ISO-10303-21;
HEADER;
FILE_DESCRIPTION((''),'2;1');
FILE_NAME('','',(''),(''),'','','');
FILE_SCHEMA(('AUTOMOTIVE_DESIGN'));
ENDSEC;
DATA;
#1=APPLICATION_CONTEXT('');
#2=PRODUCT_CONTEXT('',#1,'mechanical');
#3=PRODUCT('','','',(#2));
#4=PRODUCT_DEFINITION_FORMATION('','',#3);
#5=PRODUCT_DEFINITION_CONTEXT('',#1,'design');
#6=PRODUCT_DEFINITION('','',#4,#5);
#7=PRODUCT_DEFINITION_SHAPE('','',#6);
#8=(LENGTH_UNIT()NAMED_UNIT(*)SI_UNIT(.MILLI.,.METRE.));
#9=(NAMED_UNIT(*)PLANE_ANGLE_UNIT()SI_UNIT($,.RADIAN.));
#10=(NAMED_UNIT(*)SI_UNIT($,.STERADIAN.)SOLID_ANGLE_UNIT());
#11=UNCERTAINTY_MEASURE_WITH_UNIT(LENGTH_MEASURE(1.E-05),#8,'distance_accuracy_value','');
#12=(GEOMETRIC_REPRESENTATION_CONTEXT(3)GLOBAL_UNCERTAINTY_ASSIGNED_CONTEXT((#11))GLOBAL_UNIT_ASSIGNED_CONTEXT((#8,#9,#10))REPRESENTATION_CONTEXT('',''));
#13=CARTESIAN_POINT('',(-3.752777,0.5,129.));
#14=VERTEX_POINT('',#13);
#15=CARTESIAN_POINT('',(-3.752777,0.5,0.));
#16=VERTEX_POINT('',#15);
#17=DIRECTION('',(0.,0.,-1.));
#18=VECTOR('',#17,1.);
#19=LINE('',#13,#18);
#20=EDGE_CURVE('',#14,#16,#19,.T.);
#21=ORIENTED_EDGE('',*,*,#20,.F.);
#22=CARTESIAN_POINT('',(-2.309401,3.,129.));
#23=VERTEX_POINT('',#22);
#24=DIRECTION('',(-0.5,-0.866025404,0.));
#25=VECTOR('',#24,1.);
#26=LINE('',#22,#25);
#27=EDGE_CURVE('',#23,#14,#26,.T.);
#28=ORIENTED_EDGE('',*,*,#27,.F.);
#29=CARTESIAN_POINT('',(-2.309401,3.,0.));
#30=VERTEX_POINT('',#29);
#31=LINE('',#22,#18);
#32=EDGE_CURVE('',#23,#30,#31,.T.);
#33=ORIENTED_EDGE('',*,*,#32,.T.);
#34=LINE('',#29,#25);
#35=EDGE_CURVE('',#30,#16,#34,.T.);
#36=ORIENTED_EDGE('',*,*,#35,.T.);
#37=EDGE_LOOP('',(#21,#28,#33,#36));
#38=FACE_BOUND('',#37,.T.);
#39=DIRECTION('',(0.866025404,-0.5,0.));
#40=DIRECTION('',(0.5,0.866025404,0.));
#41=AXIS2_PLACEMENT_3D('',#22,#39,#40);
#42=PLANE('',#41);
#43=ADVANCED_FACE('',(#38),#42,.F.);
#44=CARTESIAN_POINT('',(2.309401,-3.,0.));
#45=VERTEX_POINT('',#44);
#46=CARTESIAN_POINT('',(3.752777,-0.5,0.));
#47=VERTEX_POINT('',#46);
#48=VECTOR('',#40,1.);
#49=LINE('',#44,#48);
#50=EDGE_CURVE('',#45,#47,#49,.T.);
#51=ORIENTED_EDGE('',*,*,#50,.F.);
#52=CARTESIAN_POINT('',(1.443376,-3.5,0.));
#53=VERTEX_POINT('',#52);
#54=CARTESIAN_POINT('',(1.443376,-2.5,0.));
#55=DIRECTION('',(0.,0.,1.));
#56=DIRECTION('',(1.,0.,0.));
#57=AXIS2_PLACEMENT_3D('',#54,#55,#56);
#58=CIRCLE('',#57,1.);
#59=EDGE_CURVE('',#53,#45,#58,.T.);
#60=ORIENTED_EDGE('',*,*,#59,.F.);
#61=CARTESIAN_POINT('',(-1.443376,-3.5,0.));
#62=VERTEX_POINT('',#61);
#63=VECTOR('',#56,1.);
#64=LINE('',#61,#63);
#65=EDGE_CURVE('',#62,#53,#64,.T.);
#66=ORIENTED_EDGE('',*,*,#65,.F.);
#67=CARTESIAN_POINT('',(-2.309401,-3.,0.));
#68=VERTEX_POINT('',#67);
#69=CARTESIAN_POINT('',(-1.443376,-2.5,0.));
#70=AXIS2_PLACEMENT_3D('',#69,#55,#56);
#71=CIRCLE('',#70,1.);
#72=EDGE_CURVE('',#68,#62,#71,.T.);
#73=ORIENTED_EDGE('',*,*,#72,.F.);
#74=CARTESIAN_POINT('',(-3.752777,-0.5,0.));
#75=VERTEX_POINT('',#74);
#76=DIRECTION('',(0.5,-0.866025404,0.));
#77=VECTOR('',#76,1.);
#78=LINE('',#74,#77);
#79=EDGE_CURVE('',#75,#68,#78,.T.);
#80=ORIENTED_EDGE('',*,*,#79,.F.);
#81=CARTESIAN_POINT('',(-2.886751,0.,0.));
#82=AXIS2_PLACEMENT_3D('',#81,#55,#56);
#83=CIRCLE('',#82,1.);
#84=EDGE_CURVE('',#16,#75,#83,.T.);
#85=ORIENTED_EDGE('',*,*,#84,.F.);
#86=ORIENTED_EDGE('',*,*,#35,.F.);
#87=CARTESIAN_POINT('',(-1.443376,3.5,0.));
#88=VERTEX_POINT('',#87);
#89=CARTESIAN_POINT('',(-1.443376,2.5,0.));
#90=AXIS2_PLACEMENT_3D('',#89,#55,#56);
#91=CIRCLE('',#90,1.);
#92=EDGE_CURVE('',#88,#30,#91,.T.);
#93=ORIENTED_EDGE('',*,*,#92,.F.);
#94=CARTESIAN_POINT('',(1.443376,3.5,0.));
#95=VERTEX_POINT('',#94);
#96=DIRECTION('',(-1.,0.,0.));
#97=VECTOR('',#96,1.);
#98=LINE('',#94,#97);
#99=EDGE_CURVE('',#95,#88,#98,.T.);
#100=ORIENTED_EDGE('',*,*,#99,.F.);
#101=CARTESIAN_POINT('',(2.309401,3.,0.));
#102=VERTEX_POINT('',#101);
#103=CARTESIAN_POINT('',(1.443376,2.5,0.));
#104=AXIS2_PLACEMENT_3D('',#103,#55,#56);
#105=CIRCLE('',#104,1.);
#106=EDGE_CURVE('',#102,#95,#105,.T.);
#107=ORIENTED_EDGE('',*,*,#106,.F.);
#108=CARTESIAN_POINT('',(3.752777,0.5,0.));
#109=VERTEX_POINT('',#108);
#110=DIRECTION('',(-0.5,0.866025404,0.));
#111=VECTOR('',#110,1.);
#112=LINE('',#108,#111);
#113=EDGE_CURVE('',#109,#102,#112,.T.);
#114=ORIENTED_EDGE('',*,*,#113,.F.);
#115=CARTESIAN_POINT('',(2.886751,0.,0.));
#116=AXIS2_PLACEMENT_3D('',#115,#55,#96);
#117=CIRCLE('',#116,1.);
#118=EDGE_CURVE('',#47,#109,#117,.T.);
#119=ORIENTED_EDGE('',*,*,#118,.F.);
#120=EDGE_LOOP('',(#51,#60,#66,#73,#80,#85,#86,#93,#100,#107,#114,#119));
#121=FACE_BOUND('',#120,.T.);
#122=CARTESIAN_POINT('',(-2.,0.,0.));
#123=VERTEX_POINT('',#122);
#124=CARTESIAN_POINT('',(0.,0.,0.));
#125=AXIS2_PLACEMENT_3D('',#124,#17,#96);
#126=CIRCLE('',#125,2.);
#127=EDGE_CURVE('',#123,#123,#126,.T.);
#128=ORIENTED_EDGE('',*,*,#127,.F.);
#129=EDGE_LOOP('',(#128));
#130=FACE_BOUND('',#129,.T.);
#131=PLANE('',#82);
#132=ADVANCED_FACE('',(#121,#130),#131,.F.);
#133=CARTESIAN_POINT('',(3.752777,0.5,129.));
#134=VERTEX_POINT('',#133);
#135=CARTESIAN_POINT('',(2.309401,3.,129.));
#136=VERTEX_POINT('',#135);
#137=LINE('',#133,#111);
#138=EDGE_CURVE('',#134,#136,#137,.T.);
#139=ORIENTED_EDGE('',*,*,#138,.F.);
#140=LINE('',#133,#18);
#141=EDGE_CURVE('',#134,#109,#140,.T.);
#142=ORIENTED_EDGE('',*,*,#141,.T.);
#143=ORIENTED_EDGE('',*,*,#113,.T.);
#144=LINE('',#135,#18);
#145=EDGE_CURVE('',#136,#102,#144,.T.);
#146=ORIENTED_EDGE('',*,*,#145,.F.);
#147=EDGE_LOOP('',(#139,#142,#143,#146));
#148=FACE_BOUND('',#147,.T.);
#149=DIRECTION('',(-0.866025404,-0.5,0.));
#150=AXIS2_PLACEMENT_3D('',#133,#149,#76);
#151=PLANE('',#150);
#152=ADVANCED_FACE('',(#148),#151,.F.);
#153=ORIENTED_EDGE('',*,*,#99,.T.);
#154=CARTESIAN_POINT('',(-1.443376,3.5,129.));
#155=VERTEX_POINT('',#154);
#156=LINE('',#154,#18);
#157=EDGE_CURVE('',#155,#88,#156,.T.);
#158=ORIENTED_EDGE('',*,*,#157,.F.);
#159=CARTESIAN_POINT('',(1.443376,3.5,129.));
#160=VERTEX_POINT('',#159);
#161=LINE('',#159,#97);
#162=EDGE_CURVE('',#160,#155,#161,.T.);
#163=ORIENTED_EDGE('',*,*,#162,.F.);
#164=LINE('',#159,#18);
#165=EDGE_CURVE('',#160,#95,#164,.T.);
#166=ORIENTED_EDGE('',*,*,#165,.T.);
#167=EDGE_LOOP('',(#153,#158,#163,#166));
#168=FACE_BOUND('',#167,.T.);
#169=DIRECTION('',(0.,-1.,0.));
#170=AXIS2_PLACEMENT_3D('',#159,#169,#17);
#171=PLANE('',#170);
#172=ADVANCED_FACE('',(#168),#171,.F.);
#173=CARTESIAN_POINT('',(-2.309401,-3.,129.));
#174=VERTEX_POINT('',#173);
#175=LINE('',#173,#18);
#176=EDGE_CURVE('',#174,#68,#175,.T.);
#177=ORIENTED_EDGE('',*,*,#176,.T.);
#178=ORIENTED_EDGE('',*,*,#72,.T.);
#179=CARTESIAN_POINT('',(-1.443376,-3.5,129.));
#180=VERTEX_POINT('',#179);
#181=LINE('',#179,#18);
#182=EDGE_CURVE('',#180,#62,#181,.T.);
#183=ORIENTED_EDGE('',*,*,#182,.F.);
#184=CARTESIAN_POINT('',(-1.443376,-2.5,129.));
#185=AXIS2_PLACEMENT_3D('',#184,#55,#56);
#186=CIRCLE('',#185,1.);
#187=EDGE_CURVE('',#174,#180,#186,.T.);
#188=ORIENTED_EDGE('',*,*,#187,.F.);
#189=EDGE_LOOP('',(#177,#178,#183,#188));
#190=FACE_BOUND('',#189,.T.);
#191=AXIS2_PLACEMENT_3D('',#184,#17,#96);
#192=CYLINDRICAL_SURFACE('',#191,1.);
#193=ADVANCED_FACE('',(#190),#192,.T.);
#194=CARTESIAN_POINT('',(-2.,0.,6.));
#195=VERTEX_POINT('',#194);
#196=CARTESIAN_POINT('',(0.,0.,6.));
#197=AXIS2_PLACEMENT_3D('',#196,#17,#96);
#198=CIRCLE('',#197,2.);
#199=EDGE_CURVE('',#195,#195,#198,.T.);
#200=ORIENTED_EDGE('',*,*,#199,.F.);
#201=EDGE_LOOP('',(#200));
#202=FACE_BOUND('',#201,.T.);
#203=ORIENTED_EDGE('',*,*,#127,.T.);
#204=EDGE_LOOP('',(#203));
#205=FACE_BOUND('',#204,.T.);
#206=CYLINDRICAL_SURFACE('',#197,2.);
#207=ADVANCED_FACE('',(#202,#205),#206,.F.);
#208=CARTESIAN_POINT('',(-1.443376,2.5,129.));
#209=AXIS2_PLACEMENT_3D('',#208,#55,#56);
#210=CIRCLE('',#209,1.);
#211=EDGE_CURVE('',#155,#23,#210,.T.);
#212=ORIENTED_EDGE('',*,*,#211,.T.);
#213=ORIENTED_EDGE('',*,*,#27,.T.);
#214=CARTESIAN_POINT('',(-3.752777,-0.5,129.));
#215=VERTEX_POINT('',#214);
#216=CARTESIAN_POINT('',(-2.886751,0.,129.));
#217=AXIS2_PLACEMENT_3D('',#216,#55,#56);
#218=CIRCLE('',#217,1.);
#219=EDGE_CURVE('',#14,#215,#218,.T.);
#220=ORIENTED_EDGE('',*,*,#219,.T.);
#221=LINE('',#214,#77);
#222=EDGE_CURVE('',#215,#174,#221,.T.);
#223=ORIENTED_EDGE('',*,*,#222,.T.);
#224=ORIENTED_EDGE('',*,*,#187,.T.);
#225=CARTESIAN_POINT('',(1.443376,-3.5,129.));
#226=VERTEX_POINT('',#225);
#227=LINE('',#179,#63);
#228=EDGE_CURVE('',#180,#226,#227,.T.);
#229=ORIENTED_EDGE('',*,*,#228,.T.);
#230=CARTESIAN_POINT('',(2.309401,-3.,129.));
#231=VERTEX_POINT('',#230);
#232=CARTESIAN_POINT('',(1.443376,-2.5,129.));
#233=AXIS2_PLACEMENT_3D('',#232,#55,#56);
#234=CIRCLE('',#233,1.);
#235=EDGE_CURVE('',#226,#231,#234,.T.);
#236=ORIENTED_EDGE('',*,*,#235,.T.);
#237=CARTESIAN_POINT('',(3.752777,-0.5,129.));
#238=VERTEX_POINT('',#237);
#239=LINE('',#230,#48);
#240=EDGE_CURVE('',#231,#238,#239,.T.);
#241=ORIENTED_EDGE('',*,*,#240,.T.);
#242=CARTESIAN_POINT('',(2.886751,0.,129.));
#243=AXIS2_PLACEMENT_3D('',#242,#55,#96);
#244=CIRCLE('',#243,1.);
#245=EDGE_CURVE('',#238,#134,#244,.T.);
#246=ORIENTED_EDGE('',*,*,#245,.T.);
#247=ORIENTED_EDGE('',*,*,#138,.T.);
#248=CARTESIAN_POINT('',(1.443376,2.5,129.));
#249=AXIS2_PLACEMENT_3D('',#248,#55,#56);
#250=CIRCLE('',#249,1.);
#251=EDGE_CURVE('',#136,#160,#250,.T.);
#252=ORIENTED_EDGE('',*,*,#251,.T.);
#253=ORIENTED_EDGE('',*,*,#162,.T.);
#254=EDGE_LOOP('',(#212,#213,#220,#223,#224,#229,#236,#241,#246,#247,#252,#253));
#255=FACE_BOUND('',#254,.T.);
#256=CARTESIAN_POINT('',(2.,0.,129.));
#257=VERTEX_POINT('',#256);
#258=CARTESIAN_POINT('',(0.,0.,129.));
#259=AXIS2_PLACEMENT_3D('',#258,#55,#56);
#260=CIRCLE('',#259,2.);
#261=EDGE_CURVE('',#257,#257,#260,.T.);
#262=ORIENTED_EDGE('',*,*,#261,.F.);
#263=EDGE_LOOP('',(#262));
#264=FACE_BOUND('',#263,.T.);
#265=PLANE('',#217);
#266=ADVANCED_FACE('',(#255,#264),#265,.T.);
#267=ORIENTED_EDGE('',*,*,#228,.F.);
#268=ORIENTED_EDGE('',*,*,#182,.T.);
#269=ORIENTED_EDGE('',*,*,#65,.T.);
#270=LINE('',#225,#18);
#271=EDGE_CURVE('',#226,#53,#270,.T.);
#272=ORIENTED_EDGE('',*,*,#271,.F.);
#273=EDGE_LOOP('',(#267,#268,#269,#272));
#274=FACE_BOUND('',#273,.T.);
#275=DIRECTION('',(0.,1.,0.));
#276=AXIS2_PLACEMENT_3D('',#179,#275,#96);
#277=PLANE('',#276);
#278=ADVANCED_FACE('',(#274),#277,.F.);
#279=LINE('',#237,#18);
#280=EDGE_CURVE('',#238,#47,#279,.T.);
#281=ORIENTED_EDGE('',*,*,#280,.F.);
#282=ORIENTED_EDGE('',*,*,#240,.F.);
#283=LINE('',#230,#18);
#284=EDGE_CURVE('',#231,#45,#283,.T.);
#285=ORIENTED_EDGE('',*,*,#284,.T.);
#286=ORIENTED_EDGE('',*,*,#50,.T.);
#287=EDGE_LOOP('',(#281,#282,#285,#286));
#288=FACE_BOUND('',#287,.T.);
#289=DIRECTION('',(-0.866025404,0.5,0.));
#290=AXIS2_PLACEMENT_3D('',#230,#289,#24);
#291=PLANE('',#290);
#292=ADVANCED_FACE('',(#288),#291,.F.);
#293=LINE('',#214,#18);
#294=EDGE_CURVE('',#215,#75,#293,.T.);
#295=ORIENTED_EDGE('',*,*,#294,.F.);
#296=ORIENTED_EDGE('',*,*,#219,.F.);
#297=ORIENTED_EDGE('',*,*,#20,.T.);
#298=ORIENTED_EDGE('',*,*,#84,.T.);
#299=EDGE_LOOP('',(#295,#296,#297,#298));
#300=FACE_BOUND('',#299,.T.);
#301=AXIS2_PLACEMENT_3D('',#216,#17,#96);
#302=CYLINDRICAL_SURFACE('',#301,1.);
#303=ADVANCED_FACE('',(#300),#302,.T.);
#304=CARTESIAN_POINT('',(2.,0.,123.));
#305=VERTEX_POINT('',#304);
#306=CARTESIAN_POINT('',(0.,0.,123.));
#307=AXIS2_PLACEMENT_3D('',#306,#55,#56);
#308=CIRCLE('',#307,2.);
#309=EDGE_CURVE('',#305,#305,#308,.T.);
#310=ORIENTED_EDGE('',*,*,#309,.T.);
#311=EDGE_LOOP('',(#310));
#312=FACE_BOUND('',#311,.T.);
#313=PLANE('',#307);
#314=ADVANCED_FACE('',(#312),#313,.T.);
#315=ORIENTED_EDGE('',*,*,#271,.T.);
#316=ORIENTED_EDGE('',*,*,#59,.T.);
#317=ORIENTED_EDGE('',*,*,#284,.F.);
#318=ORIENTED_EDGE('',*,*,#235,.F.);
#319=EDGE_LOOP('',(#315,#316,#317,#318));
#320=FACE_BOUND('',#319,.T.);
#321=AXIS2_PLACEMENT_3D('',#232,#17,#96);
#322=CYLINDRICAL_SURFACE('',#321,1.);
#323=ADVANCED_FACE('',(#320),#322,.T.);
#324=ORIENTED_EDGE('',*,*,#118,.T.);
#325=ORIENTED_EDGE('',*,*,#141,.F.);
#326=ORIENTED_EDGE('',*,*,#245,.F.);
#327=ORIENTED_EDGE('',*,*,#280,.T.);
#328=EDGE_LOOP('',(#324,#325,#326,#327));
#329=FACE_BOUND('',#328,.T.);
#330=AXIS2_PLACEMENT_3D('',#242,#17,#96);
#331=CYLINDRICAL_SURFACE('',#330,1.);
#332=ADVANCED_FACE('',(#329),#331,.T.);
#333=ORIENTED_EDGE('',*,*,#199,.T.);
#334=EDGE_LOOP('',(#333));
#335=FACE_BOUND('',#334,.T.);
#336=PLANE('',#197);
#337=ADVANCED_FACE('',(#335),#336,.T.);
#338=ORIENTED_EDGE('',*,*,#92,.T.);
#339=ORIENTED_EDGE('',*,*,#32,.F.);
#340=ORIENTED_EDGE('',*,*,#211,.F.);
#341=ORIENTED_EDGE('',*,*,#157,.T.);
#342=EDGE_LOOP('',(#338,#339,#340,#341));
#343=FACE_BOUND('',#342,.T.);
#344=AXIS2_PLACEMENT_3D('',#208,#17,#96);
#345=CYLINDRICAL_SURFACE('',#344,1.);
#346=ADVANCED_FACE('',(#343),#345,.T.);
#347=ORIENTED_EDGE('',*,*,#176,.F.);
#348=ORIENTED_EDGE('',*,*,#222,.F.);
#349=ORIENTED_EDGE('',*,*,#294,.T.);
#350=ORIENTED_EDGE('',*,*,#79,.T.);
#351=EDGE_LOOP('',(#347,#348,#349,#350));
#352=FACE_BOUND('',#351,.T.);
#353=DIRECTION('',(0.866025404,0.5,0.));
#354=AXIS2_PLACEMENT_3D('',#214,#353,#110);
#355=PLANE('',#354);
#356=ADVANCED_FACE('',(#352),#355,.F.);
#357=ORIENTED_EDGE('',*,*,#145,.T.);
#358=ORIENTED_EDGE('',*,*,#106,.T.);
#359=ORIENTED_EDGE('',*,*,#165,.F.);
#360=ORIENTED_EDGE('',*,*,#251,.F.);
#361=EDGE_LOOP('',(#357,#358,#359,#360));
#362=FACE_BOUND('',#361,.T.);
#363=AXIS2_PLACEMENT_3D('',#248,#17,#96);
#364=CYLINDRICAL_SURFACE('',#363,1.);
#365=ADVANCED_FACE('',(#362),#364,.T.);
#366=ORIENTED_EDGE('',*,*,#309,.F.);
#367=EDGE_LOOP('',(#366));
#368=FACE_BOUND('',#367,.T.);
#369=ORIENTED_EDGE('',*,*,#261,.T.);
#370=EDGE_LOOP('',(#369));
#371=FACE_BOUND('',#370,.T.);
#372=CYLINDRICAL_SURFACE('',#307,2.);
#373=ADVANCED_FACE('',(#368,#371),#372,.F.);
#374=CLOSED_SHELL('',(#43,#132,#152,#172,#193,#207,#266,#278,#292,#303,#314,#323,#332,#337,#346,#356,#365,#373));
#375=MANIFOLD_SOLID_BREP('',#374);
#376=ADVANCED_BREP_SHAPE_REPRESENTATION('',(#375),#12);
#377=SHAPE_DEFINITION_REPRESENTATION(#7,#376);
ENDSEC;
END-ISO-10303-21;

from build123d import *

# Parameters (mm, degrees)
EXTRUDE_1_DEPTH     = 129
SKETCH_2_R          = 2
CUT_EXTRUDE_1_DEPTH = 6
CUT_EXTRUDE_START   = -6
SKETCH_3_R          = 2
CUT_EXTRUDE_2_DEPTH = 6


with BuildPart() as part:
    # Эскиз1 → Бобышка-Вытянуть1 (new body)
    with BuildSketch(Plane.XY):
        with BuildLine():
            Line((3.75277675, 0.5), (2.309401077, 3))
            ThreePointArc((2.309401077, 3), (1.943375673, 3.366025404), (1.443375673, 3.5))
            Line((1.443375673, 3.5), (-1.443375673, 3.5))
            ThreePointArc((-1.443375673, 3.5), (-1.943375673, 3.366025404), (-2.309401077, 3))
            Line((-2.309401077, 3), (-3.75277675, 0.5))
            ThreePointArc((-3.75277675, 0.5), (-3.886751346, 0), (-3.75277675, -0.5))
            Line((-3.75277675, -0.5), (-2.309401077, -3))
            ThreePointArc((-2.309401077, -3), (-1.943375673, -3.366025404), (-1.443375673, -3.5))
            Line((-1.443375673, -3.5), (1.443375673, -3.5))
            ThreePointArc((1.443375673, -3.5), (1.943375673, -3.366025404), (2.309401077, -3))
            Line((2.309401077, -3), (3.75277675, -0.5))
            ThreePointArc((3.75277675, -0.5), (3.886751346, 0), (3.75277675, 0.5))
        make_face()
    extrude(amount=EXTRUDE_1_DEPTH)

    # Эскиз2 → Вырез-Вытянуть1 (cut)
    with BuildSketch(Plane.XY.offset(129)):
        Circle(SKETCH_2_R)
    extrude(amount=-CUT_EXTRUDE_1_DEPTH, mode=Mode.SUBTRACT)

    # Эскиз3 → Вырез-Вытянуть2 (cut)
    with BuildSketch(Plane(origin=(0, 0, 0), x_dir=(-1, 0, 0), z_dir=(0, 0, -1)).offset(CUT_EXTRUDE_START)):
        with Locations(Location((0, 0, 0), (0, 0, 180))):
            Circle(SKETCH_3_R)
    extrude(amount=CUT_EXTRUDE_2_DEPTH, mode=Mode.SUBTRACT)


solid = part.part
